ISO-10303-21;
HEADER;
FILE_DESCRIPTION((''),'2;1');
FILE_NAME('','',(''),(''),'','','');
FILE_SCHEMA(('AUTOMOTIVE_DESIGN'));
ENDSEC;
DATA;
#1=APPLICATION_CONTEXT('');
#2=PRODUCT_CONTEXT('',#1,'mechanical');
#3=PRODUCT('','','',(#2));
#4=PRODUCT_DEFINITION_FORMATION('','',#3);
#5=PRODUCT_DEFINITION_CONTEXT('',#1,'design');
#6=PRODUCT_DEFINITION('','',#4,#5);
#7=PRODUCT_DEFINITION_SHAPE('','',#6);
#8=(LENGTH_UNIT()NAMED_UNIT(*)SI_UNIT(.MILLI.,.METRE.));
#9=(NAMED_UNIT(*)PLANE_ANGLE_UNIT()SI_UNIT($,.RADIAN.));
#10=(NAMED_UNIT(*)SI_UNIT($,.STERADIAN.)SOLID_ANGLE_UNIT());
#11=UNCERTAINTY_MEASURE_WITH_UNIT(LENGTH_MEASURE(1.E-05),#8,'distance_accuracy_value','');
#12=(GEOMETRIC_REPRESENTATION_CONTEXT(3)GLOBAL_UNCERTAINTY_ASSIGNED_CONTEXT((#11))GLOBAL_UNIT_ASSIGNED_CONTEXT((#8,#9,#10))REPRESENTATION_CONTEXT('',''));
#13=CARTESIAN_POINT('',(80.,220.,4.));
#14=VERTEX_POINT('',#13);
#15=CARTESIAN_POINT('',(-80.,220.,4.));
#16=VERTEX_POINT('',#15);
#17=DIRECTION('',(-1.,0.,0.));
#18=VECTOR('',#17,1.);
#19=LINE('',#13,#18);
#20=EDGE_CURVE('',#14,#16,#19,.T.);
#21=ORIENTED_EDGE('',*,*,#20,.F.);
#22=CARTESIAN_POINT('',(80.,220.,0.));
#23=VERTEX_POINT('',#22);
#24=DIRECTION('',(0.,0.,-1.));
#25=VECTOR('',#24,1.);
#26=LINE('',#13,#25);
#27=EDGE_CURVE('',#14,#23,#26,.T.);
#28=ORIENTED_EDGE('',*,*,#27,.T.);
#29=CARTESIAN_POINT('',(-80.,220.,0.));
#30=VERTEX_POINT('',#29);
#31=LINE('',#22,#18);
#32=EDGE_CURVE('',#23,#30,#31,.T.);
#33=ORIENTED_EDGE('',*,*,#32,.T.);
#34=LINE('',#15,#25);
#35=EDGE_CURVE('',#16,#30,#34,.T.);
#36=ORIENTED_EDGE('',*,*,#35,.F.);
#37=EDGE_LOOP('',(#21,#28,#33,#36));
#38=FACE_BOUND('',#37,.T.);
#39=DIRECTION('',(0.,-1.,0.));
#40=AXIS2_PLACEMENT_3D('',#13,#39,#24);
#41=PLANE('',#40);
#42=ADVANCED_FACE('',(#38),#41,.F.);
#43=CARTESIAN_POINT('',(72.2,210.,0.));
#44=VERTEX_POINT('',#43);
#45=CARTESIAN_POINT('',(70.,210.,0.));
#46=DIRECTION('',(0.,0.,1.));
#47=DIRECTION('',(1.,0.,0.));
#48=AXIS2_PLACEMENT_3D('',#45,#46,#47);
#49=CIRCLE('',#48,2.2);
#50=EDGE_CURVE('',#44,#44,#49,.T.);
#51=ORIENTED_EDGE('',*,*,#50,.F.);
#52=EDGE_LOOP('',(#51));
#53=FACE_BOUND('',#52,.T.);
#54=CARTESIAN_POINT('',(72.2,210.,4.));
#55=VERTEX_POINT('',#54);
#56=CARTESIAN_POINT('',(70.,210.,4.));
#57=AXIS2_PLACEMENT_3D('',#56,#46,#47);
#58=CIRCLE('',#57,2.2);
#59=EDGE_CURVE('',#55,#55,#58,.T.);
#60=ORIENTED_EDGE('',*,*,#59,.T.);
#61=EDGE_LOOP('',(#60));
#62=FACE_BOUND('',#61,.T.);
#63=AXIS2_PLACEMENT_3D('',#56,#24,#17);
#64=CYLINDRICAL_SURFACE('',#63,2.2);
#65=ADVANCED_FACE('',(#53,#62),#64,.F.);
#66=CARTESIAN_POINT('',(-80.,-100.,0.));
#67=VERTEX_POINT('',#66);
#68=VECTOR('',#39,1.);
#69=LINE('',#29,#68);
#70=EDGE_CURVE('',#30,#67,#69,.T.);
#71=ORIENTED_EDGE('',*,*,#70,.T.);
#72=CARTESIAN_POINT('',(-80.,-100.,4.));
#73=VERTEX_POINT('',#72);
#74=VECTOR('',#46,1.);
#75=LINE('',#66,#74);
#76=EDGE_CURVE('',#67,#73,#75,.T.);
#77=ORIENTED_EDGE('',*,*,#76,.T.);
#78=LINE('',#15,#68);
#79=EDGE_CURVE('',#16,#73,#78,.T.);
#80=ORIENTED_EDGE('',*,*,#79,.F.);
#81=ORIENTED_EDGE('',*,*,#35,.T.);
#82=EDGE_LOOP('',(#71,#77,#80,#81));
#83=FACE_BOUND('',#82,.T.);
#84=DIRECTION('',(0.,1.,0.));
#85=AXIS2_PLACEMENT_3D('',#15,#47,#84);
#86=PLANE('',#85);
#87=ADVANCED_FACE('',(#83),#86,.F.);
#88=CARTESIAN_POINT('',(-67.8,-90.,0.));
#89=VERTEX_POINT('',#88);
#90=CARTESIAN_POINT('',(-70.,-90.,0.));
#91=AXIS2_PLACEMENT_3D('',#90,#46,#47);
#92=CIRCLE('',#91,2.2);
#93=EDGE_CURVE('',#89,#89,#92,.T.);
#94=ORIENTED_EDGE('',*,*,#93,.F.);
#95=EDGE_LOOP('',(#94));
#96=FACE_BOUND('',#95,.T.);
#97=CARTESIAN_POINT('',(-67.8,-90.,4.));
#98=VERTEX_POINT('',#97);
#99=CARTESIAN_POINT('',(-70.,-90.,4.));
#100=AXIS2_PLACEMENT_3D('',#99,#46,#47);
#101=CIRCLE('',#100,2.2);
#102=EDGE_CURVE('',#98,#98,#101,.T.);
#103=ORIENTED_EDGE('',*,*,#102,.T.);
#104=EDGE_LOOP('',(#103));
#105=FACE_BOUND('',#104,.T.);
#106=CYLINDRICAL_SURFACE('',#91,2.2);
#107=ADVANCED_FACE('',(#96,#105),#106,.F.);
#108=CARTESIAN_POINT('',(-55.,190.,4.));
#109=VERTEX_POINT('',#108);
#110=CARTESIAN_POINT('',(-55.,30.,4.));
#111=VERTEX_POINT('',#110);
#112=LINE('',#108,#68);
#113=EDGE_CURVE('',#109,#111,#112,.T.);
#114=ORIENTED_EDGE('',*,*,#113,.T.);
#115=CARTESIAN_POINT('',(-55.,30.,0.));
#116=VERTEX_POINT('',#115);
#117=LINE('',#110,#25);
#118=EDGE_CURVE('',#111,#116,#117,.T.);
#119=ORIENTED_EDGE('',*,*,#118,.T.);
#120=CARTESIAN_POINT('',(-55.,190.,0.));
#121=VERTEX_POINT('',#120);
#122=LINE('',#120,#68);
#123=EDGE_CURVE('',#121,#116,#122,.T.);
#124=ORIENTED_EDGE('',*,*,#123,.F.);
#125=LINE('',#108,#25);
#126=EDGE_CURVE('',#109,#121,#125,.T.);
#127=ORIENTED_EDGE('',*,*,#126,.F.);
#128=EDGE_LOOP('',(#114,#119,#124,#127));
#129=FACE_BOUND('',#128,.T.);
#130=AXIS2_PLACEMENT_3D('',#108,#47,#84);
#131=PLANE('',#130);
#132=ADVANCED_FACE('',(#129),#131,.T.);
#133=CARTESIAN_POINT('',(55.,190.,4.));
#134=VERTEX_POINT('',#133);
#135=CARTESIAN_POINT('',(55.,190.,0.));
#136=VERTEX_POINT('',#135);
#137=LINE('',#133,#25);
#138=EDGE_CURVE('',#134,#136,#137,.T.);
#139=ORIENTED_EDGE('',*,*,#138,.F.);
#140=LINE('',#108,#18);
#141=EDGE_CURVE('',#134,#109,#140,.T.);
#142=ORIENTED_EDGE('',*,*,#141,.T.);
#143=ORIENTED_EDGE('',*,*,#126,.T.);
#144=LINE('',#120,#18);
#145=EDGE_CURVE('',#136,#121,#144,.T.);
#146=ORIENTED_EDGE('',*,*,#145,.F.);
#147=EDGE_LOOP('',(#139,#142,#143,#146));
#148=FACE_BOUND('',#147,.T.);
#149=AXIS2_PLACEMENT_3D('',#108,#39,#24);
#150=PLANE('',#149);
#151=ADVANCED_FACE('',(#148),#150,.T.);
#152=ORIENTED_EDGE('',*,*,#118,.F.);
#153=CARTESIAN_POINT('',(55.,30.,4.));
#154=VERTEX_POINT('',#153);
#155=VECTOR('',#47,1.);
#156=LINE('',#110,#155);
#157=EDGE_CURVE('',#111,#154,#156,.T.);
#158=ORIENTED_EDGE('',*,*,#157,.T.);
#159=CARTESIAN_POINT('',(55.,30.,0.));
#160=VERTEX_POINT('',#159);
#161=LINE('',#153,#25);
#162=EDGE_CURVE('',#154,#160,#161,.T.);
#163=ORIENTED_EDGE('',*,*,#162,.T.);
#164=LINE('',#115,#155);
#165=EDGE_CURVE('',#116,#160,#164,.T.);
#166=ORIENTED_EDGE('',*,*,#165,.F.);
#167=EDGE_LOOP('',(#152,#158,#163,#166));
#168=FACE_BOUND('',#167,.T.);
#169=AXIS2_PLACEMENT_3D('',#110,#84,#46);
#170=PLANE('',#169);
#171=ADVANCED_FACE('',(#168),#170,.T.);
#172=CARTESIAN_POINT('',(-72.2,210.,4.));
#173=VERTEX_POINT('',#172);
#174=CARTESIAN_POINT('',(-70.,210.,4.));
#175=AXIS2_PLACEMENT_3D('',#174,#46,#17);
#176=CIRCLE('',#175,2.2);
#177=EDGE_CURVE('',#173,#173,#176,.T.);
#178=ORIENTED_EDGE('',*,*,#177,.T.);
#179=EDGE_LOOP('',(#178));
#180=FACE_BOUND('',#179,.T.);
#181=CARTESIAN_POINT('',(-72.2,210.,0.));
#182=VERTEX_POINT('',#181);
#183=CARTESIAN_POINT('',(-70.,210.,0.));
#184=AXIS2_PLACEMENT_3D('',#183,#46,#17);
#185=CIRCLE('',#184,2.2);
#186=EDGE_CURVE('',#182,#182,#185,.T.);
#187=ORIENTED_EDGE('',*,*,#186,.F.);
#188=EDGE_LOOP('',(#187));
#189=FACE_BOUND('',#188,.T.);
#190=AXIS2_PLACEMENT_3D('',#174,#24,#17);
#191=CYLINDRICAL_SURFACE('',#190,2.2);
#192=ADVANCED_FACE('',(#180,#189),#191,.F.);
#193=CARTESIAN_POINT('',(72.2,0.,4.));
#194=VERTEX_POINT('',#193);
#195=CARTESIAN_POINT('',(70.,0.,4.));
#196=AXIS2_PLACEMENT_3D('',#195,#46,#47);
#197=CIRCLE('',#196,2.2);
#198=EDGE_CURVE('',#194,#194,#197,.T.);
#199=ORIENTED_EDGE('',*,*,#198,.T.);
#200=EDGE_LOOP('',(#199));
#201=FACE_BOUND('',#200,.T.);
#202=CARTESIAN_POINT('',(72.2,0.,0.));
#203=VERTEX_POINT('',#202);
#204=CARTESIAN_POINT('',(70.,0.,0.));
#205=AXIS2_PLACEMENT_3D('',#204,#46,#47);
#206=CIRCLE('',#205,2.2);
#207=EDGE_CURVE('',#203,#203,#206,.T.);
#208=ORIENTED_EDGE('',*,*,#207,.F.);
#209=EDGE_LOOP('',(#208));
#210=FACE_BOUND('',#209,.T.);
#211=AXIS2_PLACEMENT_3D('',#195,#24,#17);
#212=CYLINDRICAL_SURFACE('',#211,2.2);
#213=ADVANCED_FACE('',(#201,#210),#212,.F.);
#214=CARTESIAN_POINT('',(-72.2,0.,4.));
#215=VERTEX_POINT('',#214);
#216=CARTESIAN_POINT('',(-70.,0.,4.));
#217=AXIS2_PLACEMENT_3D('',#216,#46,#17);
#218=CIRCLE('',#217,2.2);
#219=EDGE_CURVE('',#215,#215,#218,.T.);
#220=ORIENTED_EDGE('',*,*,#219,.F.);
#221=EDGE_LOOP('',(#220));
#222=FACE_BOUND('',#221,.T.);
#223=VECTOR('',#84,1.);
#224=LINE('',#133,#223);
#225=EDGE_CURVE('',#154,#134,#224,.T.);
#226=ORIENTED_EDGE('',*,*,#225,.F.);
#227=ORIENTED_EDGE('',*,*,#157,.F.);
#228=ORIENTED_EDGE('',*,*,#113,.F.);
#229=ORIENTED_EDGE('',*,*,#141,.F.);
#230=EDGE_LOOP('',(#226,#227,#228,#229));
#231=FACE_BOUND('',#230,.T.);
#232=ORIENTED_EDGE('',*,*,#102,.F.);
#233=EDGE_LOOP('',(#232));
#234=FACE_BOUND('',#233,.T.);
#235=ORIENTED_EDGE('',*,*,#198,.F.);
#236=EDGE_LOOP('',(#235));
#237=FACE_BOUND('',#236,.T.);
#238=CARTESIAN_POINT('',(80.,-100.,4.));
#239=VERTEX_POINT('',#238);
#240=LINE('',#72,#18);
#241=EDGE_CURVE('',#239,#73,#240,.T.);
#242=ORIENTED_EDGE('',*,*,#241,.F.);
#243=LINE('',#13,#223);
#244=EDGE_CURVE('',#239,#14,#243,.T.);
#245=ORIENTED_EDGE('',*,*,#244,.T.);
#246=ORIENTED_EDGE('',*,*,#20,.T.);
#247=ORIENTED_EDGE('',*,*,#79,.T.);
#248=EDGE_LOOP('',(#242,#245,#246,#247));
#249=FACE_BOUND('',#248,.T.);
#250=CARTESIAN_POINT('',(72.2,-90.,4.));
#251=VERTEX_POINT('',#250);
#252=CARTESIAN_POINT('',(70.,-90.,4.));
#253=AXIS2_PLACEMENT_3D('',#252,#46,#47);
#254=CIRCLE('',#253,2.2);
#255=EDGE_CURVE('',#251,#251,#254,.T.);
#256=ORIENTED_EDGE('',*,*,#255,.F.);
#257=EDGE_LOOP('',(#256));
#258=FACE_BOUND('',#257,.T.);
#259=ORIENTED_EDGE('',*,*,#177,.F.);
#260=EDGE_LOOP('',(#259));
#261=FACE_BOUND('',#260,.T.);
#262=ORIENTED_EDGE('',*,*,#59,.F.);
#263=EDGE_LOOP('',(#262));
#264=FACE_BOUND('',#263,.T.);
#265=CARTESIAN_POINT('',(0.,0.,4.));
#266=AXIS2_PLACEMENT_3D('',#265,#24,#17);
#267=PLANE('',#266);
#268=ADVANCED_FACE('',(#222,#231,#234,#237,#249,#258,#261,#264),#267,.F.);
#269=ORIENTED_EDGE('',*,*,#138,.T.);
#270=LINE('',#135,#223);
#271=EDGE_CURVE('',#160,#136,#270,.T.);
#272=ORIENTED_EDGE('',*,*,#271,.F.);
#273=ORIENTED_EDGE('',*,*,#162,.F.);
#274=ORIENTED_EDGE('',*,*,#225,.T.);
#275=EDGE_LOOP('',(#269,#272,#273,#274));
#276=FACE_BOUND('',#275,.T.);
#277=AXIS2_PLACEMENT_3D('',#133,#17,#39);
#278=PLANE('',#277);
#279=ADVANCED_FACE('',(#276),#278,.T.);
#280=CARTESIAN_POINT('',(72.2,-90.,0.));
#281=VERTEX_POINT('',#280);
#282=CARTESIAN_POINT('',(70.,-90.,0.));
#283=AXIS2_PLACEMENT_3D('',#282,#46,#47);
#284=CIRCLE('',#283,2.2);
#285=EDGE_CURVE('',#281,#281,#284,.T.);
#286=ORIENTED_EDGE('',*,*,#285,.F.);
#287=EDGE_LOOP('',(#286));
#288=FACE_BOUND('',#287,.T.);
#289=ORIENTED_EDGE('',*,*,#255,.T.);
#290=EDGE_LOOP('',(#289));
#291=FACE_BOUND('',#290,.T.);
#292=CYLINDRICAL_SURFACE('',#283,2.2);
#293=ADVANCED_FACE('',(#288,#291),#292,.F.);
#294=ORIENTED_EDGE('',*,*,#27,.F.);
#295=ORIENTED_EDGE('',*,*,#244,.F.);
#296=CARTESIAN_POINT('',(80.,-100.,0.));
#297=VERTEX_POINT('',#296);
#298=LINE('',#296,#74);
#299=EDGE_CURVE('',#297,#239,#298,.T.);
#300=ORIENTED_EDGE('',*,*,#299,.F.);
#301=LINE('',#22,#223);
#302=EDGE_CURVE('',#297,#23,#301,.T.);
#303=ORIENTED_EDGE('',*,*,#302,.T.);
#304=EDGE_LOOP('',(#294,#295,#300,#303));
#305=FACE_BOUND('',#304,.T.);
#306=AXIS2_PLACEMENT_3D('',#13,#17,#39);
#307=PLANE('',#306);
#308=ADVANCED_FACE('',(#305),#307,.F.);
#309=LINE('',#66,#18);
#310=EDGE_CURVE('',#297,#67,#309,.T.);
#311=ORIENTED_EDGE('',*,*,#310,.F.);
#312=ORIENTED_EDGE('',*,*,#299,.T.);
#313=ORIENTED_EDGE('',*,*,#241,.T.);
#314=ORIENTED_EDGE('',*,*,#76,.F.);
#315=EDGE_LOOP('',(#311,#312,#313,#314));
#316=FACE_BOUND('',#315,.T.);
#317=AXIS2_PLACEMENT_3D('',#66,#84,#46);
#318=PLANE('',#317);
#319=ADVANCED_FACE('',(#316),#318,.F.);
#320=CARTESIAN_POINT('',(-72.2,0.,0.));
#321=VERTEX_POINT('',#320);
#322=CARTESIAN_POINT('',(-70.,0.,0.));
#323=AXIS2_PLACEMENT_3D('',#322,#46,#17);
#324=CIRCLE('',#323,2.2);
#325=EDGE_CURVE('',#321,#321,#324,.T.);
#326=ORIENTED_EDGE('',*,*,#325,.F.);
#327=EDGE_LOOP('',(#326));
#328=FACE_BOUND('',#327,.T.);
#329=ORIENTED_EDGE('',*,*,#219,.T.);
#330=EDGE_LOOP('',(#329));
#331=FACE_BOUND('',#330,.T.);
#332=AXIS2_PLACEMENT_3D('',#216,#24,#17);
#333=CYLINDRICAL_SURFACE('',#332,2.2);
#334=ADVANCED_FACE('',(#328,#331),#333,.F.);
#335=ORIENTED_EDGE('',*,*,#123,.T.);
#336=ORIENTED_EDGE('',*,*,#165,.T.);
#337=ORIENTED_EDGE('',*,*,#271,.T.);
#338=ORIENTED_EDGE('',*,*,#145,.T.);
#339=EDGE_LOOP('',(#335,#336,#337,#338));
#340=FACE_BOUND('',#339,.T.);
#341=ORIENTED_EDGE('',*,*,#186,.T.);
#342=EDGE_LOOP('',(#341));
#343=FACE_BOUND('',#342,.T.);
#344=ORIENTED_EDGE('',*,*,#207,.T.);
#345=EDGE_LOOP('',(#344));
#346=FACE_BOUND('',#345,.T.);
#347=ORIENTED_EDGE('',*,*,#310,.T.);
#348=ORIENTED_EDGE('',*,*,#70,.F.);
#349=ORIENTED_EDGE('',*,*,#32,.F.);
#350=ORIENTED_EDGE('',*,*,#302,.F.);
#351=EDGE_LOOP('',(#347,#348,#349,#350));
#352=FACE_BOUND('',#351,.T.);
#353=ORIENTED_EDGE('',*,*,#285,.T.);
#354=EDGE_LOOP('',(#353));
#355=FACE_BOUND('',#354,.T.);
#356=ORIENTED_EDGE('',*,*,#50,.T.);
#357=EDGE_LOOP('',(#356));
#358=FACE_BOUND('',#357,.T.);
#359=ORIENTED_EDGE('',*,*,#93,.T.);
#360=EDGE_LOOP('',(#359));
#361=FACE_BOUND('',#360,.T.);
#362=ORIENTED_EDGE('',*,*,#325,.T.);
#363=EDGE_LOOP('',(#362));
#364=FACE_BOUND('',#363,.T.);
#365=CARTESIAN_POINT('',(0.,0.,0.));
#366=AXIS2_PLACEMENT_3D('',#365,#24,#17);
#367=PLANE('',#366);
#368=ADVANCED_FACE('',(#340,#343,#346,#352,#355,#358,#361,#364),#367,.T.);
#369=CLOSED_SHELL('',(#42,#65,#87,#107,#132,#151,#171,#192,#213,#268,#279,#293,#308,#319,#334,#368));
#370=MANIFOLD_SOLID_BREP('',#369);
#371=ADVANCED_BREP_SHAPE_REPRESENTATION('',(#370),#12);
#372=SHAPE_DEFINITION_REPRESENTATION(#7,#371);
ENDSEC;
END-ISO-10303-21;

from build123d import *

# Parameters (mm, degrees)
ESQUISSE1_W             = 160
ESQUISSE1_H             = 440
ESQUISSE1_R             = 2.2
ESQUISSE1_W_2           = 110
ESQUISSE1_H_2           = 160
BOSS_EXTRU_1_DEPTH      = 4
ESQUISSE2_R             = 2.2
ESQUISSE2_W             = 160
ESQUISSE2_H             = 120
ENL_V_MAT_EXTRU_1_DEPTH = 5


with BuildPart() as part:
    # Esquisse1 → Boss.-Extru.1 (new body)
    with BuildSketch(Plane.XY):
        Rectangle(ESQUISSE1_W, ESQUISSE1_H)
        with Locations((70, 0)):
            Circle(ESQUISSE1_R, mode=Mode.SUBTRACT)
        with Locations((70, 210)):
            Circle(ESQUISSE1_R, mode=Mode.SUBTRACT)
        with Locations((70, -210)):
            Circle(ESQUISSE1_R, mode=Mode.SUBTRACT)
        with Locations((-70, 210)):
            Circle(ESQUISSE1_R, mode=Mode.SUBTRACT)
        with Locations((-70, 0)):
            Circle(ESQUISSE1_R, mode=Mode.SUBTRACT)
        with Locations((-70, -210)):
            Circle(ESQUISSE1_R, mode=Mode.SUBTRACT)
        with Locations((0, 110)):
            Rectangle(ESQUISSE1_W_2, ESQUISSE1_H_2, mode=Mode.SUBTRACT)
    extrude(amount=BOSS_EXTRU_1_DEPTH)

    # Esquisse2 → Enlèv. mat.-Extru.1 (cut, through all)
    with BuildSketch(Plane.XY.offset(4)):
        with Locations((-70, -90)):
            Circle(ESQUISSE2_R)
        with Locations((70, -90)):
            Circle(ESQUISSE2_R)
        with Locations((0, -160)):
            Rectangle(ESQUISSE2_W, ESQUISSE2_H)
    extrude(amount=-ENL_V_MAT_EXTRU_1_DEPTH, mode=Mode.SUBTRACT)


solid = part.part
